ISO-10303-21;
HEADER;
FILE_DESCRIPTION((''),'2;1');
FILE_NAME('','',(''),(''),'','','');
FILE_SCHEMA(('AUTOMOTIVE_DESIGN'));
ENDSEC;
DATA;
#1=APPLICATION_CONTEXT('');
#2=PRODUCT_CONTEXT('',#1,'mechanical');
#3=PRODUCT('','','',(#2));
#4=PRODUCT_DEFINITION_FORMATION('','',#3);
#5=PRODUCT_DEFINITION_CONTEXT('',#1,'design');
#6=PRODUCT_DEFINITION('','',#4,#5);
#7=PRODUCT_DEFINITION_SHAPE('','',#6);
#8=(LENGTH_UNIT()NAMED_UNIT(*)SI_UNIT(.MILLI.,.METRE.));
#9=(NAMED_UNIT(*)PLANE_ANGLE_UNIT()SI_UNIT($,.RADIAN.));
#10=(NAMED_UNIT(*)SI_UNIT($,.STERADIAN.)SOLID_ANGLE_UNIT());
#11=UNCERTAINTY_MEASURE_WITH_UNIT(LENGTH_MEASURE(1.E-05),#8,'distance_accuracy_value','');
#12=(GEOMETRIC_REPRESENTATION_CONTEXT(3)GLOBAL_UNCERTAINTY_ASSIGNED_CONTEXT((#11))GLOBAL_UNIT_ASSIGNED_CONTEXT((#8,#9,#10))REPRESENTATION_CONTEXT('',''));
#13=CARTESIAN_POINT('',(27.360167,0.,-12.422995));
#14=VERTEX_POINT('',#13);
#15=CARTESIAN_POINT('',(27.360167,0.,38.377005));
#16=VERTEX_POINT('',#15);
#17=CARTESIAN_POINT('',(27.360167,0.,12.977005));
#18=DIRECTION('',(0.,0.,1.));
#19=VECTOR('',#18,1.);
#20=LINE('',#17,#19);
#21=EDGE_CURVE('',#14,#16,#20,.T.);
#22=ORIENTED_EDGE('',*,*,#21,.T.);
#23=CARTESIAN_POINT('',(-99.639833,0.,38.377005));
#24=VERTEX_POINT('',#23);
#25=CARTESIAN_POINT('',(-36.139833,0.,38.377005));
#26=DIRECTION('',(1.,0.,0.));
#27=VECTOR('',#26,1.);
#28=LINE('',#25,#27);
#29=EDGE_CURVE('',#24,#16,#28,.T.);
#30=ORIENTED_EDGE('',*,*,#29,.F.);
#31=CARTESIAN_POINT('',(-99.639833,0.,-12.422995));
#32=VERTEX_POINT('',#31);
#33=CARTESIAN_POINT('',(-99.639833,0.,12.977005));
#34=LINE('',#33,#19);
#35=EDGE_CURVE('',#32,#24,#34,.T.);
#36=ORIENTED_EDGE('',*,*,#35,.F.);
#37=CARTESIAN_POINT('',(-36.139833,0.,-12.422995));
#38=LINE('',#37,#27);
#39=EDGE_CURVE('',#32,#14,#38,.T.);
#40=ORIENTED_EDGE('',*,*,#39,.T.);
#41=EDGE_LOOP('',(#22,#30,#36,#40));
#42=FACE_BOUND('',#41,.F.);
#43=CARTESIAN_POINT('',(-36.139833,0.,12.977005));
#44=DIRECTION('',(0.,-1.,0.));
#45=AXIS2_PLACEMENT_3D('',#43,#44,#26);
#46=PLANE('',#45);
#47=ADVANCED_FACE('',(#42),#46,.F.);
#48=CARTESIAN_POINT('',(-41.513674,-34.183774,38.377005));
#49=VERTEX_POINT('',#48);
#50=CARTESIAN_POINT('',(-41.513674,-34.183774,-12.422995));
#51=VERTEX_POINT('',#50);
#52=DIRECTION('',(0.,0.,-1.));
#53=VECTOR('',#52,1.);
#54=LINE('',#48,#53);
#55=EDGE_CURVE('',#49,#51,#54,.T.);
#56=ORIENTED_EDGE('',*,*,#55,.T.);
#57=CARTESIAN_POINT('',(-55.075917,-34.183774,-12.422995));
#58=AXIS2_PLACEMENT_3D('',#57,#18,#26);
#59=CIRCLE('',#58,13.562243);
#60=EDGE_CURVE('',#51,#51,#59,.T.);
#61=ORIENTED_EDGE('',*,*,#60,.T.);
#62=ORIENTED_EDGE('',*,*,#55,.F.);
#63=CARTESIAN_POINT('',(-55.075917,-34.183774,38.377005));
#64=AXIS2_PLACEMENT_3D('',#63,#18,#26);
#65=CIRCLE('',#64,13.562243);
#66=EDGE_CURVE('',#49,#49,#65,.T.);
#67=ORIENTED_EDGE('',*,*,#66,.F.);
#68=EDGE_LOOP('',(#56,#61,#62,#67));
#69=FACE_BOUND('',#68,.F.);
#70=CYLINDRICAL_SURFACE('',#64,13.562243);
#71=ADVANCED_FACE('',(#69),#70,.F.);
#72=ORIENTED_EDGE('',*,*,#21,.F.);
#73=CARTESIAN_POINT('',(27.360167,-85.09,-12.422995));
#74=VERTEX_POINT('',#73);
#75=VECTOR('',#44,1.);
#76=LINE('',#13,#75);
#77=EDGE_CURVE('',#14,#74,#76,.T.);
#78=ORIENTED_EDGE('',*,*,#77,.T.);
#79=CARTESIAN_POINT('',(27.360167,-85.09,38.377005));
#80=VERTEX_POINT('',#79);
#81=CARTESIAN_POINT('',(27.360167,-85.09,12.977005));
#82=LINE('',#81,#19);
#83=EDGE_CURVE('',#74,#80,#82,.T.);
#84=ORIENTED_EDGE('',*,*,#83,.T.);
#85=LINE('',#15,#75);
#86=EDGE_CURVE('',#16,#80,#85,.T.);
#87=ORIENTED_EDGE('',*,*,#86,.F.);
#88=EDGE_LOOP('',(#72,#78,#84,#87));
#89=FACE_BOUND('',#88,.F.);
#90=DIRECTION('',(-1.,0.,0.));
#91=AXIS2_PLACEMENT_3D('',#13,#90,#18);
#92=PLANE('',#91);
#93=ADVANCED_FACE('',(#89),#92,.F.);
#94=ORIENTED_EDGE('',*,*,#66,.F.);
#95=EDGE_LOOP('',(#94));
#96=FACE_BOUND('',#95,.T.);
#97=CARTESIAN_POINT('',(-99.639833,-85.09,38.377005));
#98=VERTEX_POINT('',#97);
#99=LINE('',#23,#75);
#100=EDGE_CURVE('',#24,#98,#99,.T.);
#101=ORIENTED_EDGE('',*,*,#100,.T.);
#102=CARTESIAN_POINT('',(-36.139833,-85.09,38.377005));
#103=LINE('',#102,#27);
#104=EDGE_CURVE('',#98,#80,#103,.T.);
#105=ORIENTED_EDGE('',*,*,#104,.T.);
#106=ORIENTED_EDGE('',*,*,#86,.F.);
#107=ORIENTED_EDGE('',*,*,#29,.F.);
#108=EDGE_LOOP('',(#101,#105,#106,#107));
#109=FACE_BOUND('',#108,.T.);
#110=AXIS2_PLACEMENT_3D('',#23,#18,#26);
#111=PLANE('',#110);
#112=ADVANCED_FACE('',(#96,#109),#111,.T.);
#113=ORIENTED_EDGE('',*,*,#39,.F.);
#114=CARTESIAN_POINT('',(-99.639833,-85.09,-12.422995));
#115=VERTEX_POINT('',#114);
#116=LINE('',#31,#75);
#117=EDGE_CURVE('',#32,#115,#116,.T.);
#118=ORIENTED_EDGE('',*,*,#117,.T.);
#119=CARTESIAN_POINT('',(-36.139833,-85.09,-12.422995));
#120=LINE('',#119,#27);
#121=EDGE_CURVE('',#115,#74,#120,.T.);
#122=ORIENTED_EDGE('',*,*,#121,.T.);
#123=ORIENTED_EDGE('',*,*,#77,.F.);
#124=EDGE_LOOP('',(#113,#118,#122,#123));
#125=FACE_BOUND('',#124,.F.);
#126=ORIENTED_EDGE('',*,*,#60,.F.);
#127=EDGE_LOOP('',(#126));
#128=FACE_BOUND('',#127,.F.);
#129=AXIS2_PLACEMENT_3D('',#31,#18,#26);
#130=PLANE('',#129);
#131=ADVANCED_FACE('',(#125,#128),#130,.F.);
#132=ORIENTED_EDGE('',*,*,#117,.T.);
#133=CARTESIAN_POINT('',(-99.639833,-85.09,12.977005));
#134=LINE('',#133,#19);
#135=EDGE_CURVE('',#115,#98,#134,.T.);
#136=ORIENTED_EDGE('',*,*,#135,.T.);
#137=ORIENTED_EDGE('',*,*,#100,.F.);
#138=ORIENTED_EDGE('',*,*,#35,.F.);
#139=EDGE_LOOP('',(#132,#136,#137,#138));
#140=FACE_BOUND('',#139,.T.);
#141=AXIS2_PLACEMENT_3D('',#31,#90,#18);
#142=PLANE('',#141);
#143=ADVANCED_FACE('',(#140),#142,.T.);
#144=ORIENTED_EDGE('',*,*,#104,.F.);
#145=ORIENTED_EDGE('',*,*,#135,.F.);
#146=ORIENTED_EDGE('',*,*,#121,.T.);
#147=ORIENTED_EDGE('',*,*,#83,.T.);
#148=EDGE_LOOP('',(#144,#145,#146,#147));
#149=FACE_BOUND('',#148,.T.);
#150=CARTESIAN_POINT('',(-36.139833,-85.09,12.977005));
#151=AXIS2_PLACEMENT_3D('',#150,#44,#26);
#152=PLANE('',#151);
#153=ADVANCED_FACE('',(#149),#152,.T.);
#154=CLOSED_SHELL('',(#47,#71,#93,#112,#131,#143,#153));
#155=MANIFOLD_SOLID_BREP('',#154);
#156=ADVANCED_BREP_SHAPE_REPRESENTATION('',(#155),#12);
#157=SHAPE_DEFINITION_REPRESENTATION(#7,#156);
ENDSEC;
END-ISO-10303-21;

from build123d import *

# Parameters (mm, degrees)
F0_W     = 127
F0_H     = 50.8
F1_DEPTH = 85.09
F3_R     = 13.5622431152
F4_DEPTH = 73.914


with BuildPart() as f1:
    # F0 (on Front) → F1 (new body)
    with BuildSketch(Plane.XZ):
        with Locations((-36.1398326457, 12.9770052895)):
            Rectangle(F0_W, F0_H)
    extrude(amount=F1_DEPTH)

    # F3 (on face) → F4 (cut)
    with BuildSketch(Plane.XY.offset(38.3770052895)):
        with Locations((-55.075917393, -34.1837741435)):
            Circle(F3_R)
    extrude(amount=-F4_DEPTH, mode=Mode.SUBTRACT)


solid = f1.part
